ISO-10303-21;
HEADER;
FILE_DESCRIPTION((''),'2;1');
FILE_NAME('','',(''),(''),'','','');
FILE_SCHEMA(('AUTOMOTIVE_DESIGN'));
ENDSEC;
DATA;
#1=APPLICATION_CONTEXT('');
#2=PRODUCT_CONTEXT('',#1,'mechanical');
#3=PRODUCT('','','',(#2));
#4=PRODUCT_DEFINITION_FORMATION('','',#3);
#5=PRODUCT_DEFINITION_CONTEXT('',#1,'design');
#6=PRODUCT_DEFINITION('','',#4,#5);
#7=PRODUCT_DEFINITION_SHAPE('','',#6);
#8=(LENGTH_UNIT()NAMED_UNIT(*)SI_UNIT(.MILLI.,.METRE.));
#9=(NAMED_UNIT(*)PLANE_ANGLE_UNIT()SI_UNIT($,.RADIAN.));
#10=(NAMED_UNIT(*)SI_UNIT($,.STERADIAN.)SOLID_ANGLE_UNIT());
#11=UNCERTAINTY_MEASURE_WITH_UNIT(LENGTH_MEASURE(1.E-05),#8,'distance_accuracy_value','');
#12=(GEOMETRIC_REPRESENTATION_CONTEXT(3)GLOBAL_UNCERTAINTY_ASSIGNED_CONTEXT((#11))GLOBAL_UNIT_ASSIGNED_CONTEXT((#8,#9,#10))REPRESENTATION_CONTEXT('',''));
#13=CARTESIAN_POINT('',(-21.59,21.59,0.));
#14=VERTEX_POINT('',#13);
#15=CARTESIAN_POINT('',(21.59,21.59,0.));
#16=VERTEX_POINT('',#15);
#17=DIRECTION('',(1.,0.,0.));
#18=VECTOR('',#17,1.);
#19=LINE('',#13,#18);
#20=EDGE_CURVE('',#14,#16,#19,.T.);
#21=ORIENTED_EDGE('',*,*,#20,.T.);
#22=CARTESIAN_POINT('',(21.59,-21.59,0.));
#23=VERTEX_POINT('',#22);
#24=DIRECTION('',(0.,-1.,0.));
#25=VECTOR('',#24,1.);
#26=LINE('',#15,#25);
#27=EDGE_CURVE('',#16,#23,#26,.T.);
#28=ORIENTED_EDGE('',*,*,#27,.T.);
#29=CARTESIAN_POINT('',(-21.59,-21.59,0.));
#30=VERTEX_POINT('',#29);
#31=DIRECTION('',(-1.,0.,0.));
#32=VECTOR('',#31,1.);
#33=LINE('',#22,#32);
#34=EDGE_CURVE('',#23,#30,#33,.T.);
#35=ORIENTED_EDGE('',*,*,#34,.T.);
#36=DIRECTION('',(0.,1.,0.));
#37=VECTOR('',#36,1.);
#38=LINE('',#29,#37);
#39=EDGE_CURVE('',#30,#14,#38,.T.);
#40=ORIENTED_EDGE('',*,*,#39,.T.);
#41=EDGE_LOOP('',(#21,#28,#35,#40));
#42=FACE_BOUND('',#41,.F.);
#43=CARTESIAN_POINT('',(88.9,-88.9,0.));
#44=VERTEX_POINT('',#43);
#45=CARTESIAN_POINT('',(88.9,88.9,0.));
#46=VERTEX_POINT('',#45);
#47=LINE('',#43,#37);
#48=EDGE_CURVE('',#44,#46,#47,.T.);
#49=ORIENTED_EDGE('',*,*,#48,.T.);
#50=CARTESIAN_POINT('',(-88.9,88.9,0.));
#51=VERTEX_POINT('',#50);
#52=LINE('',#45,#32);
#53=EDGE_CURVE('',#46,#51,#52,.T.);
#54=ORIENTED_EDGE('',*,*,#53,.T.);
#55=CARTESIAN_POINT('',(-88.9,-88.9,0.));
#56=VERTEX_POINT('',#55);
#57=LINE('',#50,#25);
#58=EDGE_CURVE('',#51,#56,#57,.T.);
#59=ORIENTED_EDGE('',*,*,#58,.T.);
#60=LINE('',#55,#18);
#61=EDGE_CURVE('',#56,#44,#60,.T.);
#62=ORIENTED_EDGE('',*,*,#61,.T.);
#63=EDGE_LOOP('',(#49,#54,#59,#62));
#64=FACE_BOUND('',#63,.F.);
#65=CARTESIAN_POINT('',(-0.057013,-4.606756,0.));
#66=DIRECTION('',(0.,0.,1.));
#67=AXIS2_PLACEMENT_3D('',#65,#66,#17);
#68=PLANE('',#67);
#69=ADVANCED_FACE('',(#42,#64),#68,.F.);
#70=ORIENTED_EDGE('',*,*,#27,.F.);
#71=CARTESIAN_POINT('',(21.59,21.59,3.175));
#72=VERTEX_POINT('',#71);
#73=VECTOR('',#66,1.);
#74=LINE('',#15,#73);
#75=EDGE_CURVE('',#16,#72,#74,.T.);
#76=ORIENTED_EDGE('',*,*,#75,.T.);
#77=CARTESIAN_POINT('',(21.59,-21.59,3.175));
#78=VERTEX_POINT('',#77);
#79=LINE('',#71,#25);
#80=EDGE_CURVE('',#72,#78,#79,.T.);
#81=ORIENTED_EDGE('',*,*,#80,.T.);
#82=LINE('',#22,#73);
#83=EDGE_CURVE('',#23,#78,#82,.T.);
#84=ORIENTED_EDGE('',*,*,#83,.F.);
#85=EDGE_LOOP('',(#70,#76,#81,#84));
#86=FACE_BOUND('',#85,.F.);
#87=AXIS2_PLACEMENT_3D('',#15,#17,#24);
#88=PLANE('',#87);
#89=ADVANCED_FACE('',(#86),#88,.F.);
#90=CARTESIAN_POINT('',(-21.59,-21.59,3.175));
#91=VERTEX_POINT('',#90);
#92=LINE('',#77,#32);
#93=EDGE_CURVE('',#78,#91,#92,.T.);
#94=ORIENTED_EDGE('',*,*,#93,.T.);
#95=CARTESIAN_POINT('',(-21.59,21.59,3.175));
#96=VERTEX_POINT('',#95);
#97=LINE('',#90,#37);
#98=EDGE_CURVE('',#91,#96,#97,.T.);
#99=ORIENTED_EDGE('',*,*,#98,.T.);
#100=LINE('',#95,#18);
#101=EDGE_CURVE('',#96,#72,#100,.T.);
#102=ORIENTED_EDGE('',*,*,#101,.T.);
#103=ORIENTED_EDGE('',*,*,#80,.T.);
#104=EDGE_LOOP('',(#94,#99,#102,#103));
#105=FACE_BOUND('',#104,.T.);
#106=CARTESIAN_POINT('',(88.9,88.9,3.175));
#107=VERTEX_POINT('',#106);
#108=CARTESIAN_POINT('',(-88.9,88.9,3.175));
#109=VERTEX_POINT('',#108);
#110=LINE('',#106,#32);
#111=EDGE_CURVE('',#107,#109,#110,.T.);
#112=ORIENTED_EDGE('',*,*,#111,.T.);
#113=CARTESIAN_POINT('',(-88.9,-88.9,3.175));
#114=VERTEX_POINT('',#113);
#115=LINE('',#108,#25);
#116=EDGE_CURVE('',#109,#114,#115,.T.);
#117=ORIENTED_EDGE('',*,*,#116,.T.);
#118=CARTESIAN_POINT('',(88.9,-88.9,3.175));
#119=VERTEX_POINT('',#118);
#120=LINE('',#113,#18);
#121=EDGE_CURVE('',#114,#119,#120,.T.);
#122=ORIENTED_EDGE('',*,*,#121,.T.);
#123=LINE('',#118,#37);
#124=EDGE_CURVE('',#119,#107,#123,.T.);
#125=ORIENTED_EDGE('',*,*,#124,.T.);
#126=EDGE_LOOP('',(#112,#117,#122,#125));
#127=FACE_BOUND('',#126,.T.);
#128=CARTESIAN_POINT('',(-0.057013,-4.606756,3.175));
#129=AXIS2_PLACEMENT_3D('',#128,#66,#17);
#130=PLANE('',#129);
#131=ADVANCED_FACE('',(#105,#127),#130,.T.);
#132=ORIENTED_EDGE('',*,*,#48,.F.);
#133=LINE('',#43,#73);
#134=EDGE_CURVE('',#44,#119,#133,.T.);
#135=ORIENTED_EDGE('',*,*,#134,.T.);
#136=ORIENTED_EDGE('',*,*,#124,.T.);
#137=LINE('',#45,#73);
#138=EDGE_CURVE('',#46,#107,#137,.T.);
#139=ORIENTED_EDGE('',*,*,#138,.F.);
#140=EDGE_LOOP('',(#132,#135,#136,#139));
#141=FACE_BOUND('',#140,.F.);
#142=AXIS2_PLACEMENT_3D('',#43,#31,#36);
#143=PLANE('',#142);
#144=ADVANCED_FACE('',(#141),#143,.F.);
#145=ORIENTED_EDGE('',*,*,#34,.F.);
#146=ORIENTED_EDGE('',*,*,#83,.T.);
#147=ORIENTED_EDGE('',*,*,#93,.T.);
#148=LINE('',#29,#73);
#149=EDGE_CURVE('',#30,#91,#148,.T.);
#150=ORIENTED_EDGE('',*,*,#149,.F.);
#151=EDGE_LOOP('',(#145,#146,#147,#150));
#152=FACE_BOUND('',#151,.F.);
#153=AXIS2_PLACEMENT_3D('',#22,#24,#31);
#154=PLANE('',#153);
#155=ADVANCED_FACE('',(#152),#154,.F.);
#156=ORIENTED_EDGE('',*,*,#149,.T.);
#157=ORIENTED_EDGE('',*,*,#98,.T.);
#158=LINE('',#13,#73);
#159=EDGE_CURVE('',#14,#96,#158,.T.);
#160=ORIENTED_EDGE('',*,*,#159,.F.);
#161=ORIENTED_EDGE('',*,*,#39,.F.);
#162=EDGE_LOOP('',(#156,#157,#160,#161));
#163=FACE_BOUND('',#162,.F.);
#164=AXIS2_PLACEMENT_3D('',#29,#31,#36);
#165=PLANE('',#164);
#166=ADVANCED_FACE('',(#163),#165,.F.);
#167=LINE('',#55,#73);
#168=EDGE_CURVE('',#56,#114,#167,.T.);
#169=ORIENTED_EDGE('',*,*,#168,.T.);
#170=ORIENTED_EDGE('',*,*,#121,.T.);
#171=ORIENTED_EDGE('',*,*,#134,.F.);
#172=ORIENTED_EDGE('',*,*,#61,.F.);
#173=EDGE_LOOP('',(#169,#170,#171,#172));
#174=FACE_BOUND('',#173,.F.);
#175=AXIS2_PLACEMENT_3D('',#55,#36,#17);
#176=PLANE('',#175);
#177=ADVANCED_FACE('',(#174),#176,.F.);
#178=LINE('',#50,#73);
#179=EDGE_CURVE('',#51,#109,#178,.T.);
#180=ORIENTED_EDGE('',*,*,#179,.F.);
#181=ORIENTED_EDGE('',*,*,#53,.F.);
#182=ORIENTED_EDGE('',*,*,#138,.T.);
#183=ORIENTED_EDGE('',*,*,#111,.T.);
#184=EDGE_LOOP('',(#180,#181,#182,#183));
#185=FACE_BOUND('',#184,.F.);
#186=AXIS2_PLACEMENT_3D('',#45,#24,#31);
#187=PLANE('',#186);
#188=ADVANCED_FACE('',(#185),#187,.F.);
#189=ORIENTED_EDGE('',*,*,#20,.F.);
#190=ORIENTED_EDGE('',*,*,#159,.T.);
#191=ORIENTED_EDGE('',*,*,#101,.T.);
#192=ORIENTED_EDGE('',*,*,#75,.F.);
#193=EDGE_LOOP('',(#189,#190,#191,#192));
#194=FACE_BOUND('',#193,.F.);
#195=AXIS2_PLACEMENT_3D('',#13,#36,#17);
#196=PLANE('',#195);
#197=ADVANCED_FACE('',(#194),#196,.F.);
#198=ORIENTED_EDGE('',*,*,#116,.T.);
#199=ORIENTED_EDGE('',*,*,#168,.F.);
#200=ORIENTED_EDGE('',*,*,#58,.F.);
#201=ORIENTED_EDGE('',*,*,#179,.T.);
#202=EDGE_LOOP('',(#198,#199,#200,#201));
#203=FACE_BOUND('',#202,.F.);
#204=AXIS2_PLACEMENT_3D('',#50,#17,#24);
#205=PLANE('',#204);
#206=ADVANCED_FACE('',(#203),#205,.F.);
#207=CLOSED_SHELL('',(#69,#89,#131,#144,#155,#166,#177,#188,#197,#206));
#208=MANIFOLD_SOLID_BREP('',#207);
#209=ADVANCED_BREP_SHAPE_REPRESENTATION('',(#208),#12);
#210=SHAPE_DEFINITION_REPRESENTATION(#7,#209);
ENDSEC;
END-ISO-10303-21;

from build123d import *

# Parameters (mm, degrees)
F0_W     = 27.103196
F0_H     = 67.31
F1_DEPTH = 3.175


with BuildPart() as f1:
    # F0 (on Top) → F1 (new body)
    with BuildSketch(Plane.XY):
        Polygon((88.9, -88.9), (88.9, 88.9), (-88.9, 88.9), (-88.9, -88.9), (-14.235311, -88.9), (-14.235311, -21.59), (-21.59, -21.59), (-21.59, 21.59), (21.59, 21.59), (21.59, -21.59), (12.867885, -21.59), (12.867885, -88.9), align=None)
        with Locations((-0.683713, -55.245)):
            Rectangle(F0_W, F0_H)
    extrude(amount=F1_DEPTH)


solid = f1.part
